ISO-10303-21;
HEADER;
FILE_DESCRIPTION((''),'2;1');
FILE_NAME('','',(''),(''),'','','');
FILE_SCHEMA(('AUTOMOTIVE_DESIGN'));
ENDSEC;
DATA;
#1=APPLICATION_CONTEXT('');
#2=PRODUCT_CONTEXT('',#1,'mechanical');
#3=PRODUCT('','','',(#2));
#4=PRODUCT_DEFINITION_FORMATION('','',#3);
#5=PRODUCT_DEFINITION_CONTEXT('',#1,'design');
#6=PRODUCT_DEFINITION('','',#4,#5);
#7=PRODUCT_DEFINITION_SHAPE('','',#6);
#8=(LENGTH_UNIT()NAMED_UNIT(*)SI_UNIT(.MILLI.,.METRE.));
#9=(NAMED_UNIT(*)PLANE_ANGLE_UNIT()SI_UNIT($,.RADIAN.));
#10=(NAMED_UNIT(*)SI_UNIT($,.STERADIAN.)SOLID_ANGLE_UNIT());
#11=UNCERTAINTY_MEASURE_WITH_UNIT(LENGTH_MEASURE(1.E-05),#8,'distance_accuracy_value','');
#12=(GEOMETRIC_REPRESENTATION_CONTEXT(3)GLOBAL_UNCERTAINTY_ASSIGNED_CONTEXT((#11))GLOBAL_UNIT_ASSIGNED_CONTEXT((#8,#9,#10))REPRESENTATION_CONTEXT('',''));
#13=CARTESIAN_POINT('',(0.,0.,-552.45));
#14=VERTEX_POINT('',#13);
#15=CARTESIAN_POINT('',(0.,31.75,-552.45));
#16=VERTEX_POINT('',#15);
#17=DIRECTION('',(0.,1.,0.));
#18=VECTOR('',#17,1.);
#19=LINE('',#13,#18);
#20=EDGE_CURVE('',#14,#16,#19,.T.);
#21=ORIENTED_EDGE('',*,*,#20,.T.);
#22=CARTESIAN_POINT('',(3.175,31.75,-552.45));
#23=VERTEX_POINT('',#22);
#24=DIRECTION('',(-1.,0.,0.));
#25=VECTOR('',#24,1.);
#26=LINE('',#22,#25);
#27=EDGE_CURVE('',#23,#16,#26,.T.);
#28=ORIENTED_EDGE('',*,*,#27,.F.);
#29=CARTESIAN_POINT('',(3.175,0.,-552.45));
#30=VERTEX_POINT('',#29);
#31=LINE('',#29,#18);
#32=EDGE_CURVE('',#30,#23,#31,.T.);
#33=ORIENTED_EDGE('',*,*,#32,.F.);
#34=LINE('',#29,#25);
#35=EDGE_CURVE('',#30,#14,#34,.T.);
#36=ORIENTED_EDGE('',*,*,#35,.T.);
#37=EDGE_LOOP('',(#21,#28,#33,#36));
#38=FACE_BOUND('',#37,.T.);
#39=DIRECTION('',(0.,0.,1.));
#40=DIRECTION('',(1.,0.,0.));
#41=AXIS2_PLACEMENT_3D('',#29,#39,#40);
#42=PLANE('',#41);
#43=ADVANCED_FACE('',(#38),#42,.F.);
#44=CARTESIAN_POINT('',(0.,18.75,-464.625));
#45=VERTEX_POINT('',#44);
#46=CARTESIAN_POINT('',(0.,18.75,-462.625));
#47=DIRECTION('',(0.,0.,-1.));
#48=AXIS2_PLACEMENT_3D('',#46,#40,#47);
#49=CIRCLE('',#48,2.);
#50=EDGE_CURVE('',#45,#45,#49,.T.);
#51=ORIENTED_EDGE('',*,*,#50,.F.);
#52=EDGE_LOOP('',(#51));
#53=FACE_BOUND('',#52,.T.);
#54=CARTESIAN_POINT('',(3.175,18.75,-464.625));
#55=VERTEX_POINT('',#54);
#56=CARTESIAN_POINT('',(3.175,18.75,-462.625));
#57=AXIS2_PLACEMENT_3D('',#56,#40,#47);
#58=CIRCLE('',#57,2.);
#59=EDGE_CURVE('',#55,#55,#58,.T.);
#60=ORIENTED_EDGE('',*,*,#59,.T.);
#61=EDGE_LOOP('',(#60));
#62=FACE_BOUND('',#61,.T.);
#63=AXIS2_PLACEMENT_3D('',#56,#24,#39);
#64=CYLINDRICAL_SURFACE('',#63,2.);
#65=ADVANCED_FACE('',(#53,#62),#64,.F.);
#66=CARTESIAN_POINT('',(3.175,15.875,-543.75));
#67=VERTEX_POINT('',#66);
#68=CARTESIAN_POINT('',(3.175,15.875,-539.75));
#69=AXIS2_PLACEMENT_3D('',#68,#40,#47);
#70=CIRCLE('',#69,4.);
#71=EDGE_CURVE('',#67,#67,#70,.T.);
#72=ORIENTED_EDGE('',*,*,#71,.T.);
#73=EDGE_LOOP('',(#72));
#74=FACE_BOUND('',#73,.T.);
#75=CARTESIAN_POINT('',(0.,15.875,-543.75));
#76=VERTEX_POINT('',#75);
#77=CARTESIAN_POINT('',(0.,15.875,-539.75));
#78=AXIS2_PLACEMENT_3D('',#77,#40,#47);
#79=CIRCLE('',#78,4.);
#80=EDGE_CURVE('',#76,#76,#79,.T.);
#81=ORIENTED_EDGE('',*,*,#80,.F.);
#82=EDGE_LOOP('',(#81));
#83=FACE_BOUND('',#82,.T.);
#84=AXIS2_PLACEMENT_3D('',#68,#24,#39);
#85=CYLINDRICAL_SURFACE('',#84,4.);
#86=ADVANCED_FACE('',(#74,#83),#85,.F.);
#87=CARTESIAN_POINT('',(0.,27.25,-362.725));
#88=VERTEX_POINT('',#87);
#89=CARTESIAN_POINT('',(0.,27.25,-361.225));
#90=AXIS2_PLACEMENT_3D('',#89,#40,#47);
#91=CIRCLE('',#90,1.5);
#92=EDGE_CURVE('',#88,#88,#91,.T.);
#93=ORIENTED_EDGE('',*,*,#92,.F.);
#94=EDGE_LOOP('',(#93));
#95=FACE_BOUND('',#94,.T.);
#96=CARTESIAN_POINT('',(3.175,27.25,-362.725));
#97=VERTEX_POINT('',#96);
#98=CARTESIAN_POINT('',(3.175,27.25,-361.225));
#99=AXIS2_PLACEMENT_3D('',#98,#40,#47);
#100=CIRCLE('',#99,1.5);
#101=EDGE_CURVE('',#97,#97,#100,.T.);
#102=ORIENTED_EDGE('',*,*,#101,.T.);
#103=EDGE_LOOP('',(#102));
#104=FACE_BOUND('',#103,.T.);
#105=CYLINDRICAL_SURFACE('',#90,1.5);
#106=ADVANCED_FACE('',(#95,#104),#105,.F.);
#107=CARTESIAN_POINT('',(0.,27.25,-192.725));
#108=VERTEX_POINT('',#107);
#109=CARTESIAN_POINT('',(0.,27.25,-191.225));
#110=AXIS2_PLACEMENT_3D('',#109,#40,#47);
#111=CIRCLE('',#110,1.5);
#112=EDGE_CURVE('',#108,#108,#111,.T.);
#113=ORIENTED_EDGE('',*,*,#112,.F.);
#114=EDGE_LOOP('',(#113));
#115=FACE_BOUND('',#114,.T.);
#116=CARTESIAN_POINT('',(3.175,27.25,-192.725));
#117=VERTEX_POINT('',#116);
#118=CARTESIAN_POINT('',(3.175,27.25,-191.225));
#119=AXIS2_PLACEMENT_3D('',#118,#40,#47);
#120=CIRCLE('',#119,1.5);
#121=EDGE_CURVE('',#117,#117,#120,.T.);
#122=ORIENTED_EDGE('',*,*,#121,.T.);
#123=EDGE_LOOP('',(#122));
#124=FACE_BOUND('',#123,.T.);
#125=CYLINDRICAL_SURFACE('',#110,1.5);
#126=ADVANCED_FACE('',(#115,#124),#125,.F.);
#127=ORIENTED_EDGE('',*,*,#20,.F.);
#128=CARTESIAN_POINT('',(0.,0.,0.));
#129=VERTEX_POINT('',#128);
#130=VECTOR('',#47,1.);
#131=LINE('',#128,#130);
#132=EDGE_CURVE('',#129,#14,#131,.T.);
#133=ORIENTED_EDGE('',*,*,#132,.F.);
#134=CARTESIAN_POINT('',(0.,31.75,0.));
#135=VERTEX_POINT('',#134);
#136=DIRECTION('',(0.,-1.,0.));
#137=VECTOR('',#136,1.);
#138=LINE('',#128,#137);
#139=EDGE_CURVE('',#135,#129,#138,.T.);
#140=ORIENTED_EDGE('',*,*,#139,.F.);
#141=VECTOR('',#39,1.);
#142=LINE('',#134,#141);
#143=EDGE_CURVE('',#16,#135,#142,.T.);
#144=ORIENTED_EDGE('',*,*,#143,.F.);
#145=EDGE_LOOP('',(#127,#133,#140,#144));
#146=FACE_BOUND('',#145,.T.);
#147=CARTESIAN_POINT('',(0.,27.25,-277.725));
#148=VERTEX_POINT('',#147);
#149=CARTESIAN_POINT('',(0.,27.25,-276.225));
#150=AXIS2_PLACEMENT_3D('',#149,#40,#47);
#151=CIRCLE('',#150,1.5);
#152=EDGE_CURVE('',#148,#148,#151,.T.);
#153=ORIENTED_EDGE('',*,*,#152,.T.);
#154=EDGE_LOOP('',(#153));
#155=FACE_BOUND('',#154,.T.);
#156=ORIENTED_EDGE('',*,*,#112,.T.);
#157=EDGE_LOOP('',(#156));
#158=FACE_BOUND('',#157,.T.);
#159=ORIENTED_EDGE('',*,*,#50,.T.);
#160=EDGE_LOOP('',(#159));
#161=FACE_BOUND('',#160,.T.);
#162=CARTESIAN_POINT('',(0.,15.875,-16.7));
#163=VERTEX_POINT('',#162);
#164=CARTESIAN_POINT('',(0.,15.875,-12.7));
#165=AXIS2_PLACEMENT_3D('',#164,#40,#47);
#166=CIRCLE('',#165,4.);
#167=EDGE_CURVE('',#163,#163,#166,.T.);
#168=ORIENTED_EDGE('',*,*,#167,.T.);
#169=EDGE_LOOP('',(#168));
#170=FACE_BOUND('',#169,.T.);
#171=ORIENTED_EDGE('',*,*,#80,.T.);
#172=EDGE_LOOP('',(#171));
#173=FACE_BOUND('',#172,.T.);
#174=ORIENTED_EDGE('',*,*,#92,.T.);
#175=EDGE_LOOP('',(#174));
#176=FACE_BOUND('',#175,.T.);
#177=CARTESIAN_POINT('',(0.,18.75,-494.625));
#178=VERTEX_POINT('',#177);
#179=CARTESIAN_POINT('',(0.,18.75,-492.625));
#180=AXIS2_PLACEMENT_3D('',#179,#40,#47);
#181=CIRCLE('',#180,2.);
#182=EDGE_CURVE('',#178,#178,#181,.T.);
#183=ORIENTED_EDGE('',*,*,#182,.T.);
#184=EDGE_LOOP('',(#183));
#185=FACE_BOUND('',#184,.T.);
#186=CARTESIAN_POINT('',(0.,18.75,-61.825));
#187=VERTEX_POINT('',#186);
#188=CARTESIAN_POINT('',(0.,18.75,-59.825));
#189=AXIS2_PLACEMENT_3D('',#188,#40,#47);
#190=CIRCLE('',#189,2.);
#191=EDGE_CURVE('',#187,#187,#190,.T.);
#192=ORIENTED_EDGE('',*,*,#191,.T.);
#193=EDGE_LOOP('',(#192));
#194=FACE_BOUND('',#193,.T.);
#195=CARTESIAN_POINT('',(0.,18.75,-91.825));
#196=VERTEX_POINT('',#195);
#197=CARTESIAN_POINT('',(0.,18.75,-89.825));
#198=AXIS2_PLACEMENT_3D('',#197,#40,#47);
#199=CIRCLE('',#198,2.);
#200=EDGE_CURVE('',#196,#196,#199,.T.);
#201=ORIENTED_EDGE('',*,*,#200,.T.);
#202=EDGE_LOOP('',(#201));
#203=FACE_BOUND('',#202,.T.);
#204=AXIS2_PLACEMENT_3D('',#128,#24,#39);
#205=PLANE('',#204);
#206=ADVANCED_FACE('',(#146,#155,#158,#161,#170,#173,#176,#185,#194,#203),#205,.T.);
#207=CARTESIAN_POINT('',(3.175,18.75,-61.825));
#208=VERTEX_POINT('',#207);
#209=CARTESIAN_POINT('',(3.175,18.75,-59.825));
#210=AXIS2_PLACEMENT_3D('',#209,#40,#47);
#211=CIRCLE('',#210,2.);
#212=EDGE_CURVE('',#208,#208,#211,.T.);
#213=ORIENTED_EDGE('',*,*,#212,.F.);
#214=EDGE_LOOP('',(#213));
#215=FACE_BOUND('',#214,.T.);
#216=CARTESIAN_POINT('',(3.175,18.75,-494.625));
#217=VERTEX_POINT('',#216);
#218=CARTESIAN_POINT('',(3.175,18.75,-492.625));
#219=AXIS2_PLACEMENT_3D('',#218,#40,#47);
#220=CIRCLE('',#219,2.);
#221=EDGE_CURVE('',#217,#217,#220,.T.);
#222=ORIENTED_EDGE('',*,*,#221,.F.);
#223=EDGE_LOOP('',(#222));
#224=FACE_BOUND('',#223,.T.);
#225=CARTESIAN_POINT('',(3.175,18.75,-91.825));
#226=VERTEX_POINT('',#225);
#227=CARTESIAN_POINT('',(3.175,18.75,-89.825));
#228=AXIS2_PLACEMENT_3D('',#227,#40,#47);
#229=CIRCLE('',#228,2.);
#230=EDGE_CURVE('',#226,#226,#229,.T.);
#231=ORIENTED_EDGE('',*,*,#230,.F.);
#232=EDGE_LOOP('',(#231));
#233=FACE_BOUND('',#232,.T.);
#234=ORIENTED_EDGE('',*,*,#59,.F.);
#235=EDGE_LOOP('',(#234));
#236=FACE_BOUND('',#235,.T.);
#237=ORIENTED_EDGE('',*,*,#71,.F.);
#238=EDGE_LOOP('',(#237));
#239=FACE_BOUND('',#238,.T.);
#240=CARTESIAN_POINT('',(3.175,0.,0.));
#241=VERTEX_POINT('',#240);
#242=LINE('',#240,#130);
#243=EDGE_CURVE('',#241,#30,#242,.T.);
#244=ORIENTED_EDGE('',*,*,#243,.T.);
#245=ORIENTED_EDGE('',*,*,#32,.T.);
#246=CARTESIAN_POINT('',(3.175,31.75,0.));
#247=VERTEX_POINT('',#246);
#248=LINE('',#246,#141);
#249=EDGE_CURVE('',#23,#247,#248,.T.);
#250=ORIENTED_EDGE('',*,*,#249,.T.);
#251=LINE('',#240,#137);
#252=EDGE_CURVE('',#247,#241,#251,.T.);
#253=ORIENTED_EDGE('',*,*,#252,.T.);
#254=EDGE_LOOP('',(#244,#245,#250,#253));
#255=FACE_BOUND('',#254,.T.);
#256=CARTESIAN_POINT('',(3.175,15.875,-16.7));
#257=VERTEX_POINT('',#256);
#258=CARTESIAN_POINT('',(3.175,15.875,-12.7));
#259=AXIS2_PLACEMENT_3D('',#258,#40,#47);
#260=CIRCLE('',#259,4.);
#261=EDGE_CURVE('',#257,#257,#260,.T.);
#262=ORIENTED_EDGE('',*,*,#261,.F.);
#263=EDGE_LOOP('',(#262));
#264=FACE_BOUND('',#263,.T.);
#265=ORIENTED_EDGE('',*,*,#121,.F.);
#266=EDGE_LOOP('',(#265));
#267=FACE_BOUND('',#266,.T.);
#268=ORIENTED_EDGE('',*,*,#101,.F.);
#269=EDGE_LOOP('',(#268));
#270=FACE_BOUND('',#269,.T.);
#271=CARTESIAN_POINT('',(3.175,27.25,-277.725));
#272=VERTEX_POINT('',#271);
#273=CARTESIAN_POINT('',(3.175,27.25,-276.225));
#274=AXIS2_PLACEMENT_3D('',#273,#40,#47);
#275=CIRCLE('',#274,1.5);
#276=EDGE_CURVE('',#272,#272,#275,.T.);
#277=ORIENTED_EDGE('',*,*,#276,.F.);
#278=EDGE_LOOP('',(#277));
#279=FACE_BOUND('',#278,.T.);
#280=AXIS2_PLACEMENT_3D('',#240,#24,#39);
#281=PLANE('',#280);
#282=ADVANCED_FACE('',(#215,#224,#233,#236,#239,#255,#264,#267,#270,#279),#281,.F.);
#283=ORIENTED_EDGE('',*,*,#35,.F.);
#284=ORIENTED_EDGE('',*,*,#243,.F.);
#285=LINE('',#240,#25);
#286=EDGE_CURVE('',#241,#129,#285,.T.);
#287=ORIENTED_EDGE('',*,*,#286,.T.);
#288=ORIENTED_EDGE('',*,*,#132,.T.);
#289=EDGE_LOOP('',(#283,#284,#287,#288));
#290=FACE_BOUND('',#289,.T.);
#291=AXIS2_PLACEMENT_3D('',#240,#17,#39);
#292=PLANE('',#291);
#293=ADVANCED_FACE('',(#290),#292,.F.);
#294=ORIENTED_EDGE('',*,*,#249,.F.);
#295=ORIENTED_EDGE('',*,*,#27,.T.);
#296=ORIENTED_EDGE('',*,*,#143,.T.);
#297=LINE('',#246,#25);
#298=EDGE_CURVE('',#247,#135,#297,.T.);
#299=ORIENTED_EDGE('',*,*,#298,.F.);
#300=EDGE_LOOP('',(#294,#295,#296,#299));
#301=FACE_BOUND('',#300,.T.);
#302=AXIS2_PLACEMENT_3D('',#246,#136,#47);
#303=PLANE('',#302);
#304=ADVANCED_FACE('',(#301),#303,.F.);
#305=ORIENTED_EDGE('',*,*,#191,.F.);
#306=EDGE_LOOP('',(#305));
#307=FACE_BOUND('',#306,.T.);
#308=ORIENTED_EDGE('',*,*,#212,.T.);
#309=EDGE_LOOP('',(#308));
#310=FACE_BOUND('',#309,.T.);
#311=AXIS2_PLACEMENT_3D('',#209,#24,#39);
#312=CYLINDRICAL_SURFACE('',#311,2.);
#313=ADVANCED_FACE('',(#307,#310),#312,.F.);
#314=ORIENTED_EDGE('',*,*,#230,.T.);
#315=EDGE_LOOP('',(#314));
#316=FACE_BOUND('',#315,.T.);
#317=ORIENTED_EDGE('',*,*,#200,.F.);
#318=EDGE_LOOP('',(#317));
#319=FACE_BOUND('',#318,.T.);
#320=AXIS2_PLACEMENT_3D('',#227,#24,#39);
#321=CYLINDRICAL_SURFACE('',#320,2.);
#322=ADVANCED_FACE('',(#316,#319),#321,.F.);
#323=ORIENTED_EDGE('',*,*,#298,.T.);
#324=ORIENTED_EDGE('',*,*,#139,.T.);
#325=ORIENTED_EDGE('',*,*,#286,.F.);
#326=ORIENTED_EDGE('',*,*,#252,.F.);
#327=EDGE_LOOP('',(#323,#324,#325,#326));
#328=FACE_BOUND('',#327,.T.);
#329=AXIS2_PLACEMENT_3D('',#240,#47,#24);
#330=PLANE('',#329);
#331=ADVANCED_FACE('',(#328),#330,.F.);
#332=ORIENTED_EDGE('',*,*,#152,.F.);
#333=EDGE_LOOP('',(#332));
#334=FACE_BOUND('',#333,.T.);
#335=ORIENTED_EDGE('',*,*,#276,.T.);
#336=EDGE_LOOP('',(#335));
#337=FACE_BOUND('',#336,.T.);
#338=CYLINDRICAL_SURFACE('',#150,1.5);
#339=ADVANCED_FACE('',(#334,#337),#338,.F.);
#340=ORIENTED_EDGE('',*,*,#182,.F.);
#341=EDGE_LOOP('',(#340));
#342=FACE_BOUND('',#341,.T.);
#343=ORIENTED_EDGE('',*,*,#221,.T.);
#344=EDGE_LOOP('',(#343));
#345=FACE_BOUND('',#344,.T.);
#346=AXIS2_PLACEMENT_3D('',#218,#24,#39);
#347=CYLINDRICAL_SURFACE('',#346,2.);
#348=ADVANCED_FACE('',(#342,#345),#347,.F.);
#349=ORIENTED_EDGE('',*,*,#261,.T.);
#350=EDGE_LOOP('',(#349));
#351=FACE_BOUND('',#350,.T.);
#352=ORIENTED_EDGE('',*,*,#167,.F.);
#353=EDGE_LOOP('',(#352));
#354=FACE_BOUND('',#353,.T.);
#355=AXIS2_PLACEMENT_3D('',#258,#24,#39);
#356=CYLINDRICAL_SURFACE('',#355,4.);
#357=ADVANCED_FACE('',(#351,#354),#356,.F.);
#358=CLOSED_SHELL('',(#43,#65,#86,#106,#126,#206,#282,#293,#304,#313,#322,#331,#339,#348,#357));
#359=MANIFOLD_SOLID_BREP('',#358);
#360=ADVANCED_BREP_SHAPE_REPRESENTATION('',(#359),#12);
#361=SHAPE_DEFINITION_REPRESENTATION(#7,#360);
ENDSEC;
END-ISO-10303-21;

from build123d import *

# Parameters (mm, degrees)
SKETCH1_W                                 = 552.45
SKETCH1_H                                 = 31.75
SKETCH1_R                                 = 4
SKETCH1_R_2                               = 2
BOSS_EXTRUDE2_DEPTH                       = 3.175
SKETCH2_R                                 = 1.5
LIGHTINGGUIDEMOUNTHOLESCUT_EXTRUDE1_DEPTH = 554.370712656


with BuildPart() as part:
    # Sketch1 → Boss-Extrude2 (new body)
    with BuildSketch(Plane(origin=(0, 0, 0), x_dir=(0, 0, -1), z_dir=(1, 0, 0))):
        with Locations((276.225, 15.875)):
            Rectangle(SKETCH1_W, SKETCH1_H)
        with Locations((12.7, 15.875)):
            Circle(SKETCH1_R, mode=Mode.SUBTRACT)
        with Locations((539.75, 15.875)):
            Circle(SKETCH1_R, mode=Mode.SUBTRACT)
        with Locations((462.625, 18.75)):
            Circle(SKETCH1_R_2, mode=Mode.SUBTRACT)
        with Locations((492.625, 18.75)):
            Circle(SKETCH1_R_2, mode=Mode.SUBTRACT)
        with Locations((59.825, 18.75)):
            Circle(SKETCH1_R_2, mode=Mode.SUBTRACT)
        with Locations((89.825, 18.75)):
            Circle(SKETCH1_R_2, mode=Mode.SUBTRACT)
    extrude(amount=BOSS_EXTRUDE2_DEPTH)

    # Sketch2 → LightingGuideMountHolesCut-Extrude1 (cut, through all)
    with BuildSketch(Plane(origin=(3.175, 0, 0), x_dir=(0, 0, -1), z_dir=(1, 0, 0))):
        with Locations((191.225, 27.25)):
            Circle(SKETCH2_R)
        with Locations((276.225, 27.25)):
            Circle(SKETCH2_R)
        with Locations((361.225, 27.25)):
            Circle(SKETCH2_R)
    extrude(amount=-LIGHTINGGUIDEMOUNTHOLESCUT_EXTRUDE1_DEPTH, mode=Mode.SUBTRACT)


solid = part.part
